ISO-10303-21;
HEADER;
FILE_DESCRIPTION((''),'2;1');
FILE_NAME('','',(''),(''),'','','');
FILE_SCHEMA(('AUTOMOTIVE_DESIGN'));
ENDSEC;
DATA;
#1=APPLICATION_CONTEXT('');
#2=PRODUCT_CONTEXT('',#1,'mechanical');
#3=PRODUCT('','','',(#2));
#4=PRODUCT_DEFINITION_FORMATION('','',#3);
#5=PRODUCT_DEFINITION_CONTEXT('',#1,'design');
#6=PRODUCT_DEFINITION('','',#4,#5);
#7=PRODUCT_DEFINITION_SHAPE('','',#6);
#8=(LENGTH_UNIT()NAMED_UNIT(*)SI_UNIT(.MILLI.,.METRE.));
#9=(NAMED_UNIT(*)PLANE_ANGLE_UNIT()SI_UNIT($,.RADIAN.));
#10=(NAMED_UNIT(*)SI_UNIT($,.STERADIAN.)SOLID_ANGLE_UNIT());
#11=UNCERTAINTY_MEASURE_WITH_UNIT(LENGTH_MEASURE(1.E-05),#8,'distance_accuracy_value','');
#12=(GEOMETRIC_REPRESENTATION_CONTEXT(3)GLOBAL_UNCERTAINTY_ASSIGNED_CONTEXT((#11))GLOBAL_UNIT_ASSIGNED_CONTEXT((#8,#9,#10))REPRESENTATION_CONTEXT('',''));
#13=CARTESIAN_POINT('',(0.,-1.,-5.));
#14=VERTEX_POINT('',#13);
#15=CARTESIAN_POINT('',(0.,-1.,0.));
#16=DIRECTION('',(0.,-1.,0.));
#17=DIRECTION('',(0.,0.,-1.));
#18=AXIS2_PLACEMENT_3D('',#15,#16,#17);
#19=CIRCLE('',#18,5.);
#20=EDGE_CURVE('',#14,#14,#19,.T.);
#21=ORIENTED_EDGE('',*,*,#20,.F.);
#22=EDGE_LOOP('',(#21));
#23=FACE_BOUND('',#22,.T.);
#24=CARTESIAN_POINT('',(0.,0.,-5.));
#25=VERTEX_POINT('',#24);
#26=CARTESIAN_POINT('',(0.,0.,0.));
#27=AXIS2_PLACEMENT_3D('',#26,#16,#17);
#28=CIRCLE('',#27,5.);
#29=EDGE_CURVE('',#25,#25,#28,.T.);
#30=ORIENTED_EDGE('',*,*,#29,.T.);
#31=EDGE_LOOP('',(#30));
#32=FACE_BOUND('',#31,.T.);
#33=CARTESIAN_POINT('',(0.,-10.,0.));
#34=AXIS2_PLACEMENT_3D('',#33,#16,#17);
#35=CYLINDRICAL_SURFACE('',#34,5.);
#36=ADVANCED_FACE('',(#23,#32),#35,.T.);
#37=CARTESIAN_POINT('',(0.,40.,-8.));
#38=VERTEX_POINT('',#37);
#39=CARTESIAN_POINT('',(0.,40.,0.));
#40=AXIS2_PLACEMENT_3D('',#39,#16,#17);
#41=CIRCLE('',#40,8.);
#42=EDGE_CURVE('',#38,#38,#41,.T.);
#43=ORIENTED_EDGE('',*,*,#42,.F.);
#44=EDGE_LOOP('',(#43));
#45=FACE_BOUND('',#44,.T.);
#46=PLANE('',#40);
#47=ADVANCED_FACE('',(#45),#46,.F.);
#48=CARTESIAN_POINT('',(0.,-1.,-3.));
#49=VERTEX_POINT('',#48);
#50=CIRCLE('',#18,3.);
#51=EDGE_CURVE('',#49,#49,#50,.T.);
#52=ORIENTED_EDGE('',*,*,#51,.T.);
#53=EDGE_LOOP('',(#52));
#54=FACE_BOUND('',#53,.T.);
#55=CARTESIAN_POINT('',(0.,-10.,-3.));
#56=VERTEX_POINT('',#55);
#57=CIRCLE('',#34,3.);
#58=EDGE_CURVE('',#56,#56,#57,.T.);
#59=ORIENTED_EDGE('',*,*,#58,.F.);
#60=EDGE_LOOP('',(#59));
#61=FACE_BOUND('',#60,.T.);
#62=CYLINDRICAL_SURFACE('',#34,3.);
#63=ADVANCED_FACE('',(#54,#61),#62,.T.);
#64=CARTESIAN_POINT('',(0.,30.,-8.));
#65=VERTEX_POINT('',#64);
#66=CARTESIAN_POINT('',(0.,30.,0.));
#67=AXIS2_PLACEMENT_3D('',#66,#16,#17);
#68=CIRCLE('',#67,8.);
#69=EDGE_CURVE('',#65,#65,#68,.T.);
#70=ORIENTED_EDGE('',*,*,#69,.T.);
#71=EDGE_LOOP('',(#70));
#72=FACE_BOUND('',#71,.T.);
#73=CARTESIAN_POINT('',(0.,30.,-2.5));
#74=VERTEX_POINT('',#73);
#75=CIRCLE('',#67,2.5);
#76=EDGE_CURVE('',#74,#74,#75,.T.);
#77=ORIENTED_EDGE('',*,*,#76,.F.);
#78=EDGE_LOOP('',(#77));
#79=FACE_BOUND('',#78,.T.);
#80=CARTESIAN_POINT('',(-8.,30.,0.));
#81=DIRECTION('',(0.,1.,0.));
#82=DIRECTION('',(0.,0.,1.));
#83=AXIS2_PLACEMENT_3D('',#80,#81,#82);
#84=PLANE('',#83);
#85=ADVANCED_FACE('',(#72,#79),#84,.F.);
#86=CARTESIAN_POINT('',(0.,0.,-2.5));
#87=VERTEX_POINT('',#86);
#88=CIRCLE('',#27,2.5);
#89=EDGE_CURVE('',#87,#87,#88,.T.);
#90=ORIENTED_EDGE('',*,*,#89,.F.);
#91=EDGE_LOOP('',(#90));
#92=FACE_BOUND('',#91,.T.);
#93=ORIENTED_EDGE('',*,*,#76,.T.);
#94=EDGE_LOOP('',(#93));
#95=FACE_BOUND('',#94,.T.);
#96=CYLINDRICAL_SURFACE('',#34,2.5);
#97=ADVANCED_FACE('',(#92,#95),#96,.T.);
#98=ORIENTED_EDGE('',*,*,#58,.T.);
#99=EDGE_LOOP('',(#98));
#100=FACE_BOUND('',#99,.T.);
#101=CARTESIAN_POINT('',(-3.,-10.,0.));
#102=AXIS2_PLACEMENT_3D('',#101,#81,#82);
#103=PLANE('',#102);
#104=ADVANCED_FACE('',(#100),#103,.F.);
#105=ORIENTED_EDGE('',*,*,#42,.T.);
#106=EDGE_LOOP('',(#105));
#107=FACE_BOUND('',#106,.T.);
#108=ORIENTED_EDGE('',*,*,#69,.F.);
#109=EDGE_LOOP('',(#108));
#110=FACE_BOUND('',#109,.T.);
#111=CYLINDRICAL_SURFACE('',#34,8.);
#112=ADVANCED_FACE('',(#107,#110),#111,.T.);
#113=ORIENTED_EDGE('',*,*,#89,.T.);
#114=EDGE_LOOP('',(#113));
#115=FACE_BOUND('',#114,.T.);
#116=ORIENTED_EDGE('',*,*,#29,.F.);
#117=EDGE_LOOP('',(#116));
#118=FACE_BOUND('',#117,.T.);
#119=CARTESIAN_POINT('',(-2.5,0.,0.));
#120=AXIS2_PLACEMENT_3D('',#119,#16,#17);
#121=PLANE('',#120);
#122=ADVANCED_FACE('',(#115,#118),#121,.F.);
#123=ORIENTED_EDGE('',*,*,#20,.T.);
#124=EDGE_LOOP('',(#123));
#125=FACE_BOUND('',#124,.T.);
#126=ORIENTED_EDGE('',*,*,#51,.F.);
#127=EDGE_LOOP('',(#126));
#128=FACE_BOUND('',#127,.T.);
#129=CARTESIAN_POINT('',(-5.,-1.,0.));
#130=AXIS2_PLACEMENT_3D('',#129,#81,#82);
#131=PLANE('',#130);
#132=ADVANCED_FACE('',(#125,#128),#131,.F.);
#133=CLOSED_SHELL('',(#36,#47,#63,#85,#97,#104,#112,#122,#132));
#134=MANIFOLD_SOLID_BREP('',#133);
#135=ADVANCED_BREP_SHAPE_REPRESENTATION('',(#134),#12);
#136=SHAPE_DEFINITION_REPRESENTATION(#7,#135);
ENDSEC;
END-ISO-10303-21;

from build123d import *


with BuildPart() as part:
    # Sketch1 → Revolve1 (revolve)
    with BuildSketch(Plane.XY, mode=Mode.PRIVATE) as revolve1_sk:
        Polygon((0, -10), (0, 40), (-8, 40), (-8, 30), (-2.5, 30), (-2.5, 0), (-5, 0), (-5, -1), (-3, -1), (-3, -10), align=None)
    revolve(revolve1_sk.sketch.rotate(Axis((0, -10, 0), (0, 1, 0)), 270), axis=Axis((0, -10, 0), (0, 1, 0)))


solid = part.part
